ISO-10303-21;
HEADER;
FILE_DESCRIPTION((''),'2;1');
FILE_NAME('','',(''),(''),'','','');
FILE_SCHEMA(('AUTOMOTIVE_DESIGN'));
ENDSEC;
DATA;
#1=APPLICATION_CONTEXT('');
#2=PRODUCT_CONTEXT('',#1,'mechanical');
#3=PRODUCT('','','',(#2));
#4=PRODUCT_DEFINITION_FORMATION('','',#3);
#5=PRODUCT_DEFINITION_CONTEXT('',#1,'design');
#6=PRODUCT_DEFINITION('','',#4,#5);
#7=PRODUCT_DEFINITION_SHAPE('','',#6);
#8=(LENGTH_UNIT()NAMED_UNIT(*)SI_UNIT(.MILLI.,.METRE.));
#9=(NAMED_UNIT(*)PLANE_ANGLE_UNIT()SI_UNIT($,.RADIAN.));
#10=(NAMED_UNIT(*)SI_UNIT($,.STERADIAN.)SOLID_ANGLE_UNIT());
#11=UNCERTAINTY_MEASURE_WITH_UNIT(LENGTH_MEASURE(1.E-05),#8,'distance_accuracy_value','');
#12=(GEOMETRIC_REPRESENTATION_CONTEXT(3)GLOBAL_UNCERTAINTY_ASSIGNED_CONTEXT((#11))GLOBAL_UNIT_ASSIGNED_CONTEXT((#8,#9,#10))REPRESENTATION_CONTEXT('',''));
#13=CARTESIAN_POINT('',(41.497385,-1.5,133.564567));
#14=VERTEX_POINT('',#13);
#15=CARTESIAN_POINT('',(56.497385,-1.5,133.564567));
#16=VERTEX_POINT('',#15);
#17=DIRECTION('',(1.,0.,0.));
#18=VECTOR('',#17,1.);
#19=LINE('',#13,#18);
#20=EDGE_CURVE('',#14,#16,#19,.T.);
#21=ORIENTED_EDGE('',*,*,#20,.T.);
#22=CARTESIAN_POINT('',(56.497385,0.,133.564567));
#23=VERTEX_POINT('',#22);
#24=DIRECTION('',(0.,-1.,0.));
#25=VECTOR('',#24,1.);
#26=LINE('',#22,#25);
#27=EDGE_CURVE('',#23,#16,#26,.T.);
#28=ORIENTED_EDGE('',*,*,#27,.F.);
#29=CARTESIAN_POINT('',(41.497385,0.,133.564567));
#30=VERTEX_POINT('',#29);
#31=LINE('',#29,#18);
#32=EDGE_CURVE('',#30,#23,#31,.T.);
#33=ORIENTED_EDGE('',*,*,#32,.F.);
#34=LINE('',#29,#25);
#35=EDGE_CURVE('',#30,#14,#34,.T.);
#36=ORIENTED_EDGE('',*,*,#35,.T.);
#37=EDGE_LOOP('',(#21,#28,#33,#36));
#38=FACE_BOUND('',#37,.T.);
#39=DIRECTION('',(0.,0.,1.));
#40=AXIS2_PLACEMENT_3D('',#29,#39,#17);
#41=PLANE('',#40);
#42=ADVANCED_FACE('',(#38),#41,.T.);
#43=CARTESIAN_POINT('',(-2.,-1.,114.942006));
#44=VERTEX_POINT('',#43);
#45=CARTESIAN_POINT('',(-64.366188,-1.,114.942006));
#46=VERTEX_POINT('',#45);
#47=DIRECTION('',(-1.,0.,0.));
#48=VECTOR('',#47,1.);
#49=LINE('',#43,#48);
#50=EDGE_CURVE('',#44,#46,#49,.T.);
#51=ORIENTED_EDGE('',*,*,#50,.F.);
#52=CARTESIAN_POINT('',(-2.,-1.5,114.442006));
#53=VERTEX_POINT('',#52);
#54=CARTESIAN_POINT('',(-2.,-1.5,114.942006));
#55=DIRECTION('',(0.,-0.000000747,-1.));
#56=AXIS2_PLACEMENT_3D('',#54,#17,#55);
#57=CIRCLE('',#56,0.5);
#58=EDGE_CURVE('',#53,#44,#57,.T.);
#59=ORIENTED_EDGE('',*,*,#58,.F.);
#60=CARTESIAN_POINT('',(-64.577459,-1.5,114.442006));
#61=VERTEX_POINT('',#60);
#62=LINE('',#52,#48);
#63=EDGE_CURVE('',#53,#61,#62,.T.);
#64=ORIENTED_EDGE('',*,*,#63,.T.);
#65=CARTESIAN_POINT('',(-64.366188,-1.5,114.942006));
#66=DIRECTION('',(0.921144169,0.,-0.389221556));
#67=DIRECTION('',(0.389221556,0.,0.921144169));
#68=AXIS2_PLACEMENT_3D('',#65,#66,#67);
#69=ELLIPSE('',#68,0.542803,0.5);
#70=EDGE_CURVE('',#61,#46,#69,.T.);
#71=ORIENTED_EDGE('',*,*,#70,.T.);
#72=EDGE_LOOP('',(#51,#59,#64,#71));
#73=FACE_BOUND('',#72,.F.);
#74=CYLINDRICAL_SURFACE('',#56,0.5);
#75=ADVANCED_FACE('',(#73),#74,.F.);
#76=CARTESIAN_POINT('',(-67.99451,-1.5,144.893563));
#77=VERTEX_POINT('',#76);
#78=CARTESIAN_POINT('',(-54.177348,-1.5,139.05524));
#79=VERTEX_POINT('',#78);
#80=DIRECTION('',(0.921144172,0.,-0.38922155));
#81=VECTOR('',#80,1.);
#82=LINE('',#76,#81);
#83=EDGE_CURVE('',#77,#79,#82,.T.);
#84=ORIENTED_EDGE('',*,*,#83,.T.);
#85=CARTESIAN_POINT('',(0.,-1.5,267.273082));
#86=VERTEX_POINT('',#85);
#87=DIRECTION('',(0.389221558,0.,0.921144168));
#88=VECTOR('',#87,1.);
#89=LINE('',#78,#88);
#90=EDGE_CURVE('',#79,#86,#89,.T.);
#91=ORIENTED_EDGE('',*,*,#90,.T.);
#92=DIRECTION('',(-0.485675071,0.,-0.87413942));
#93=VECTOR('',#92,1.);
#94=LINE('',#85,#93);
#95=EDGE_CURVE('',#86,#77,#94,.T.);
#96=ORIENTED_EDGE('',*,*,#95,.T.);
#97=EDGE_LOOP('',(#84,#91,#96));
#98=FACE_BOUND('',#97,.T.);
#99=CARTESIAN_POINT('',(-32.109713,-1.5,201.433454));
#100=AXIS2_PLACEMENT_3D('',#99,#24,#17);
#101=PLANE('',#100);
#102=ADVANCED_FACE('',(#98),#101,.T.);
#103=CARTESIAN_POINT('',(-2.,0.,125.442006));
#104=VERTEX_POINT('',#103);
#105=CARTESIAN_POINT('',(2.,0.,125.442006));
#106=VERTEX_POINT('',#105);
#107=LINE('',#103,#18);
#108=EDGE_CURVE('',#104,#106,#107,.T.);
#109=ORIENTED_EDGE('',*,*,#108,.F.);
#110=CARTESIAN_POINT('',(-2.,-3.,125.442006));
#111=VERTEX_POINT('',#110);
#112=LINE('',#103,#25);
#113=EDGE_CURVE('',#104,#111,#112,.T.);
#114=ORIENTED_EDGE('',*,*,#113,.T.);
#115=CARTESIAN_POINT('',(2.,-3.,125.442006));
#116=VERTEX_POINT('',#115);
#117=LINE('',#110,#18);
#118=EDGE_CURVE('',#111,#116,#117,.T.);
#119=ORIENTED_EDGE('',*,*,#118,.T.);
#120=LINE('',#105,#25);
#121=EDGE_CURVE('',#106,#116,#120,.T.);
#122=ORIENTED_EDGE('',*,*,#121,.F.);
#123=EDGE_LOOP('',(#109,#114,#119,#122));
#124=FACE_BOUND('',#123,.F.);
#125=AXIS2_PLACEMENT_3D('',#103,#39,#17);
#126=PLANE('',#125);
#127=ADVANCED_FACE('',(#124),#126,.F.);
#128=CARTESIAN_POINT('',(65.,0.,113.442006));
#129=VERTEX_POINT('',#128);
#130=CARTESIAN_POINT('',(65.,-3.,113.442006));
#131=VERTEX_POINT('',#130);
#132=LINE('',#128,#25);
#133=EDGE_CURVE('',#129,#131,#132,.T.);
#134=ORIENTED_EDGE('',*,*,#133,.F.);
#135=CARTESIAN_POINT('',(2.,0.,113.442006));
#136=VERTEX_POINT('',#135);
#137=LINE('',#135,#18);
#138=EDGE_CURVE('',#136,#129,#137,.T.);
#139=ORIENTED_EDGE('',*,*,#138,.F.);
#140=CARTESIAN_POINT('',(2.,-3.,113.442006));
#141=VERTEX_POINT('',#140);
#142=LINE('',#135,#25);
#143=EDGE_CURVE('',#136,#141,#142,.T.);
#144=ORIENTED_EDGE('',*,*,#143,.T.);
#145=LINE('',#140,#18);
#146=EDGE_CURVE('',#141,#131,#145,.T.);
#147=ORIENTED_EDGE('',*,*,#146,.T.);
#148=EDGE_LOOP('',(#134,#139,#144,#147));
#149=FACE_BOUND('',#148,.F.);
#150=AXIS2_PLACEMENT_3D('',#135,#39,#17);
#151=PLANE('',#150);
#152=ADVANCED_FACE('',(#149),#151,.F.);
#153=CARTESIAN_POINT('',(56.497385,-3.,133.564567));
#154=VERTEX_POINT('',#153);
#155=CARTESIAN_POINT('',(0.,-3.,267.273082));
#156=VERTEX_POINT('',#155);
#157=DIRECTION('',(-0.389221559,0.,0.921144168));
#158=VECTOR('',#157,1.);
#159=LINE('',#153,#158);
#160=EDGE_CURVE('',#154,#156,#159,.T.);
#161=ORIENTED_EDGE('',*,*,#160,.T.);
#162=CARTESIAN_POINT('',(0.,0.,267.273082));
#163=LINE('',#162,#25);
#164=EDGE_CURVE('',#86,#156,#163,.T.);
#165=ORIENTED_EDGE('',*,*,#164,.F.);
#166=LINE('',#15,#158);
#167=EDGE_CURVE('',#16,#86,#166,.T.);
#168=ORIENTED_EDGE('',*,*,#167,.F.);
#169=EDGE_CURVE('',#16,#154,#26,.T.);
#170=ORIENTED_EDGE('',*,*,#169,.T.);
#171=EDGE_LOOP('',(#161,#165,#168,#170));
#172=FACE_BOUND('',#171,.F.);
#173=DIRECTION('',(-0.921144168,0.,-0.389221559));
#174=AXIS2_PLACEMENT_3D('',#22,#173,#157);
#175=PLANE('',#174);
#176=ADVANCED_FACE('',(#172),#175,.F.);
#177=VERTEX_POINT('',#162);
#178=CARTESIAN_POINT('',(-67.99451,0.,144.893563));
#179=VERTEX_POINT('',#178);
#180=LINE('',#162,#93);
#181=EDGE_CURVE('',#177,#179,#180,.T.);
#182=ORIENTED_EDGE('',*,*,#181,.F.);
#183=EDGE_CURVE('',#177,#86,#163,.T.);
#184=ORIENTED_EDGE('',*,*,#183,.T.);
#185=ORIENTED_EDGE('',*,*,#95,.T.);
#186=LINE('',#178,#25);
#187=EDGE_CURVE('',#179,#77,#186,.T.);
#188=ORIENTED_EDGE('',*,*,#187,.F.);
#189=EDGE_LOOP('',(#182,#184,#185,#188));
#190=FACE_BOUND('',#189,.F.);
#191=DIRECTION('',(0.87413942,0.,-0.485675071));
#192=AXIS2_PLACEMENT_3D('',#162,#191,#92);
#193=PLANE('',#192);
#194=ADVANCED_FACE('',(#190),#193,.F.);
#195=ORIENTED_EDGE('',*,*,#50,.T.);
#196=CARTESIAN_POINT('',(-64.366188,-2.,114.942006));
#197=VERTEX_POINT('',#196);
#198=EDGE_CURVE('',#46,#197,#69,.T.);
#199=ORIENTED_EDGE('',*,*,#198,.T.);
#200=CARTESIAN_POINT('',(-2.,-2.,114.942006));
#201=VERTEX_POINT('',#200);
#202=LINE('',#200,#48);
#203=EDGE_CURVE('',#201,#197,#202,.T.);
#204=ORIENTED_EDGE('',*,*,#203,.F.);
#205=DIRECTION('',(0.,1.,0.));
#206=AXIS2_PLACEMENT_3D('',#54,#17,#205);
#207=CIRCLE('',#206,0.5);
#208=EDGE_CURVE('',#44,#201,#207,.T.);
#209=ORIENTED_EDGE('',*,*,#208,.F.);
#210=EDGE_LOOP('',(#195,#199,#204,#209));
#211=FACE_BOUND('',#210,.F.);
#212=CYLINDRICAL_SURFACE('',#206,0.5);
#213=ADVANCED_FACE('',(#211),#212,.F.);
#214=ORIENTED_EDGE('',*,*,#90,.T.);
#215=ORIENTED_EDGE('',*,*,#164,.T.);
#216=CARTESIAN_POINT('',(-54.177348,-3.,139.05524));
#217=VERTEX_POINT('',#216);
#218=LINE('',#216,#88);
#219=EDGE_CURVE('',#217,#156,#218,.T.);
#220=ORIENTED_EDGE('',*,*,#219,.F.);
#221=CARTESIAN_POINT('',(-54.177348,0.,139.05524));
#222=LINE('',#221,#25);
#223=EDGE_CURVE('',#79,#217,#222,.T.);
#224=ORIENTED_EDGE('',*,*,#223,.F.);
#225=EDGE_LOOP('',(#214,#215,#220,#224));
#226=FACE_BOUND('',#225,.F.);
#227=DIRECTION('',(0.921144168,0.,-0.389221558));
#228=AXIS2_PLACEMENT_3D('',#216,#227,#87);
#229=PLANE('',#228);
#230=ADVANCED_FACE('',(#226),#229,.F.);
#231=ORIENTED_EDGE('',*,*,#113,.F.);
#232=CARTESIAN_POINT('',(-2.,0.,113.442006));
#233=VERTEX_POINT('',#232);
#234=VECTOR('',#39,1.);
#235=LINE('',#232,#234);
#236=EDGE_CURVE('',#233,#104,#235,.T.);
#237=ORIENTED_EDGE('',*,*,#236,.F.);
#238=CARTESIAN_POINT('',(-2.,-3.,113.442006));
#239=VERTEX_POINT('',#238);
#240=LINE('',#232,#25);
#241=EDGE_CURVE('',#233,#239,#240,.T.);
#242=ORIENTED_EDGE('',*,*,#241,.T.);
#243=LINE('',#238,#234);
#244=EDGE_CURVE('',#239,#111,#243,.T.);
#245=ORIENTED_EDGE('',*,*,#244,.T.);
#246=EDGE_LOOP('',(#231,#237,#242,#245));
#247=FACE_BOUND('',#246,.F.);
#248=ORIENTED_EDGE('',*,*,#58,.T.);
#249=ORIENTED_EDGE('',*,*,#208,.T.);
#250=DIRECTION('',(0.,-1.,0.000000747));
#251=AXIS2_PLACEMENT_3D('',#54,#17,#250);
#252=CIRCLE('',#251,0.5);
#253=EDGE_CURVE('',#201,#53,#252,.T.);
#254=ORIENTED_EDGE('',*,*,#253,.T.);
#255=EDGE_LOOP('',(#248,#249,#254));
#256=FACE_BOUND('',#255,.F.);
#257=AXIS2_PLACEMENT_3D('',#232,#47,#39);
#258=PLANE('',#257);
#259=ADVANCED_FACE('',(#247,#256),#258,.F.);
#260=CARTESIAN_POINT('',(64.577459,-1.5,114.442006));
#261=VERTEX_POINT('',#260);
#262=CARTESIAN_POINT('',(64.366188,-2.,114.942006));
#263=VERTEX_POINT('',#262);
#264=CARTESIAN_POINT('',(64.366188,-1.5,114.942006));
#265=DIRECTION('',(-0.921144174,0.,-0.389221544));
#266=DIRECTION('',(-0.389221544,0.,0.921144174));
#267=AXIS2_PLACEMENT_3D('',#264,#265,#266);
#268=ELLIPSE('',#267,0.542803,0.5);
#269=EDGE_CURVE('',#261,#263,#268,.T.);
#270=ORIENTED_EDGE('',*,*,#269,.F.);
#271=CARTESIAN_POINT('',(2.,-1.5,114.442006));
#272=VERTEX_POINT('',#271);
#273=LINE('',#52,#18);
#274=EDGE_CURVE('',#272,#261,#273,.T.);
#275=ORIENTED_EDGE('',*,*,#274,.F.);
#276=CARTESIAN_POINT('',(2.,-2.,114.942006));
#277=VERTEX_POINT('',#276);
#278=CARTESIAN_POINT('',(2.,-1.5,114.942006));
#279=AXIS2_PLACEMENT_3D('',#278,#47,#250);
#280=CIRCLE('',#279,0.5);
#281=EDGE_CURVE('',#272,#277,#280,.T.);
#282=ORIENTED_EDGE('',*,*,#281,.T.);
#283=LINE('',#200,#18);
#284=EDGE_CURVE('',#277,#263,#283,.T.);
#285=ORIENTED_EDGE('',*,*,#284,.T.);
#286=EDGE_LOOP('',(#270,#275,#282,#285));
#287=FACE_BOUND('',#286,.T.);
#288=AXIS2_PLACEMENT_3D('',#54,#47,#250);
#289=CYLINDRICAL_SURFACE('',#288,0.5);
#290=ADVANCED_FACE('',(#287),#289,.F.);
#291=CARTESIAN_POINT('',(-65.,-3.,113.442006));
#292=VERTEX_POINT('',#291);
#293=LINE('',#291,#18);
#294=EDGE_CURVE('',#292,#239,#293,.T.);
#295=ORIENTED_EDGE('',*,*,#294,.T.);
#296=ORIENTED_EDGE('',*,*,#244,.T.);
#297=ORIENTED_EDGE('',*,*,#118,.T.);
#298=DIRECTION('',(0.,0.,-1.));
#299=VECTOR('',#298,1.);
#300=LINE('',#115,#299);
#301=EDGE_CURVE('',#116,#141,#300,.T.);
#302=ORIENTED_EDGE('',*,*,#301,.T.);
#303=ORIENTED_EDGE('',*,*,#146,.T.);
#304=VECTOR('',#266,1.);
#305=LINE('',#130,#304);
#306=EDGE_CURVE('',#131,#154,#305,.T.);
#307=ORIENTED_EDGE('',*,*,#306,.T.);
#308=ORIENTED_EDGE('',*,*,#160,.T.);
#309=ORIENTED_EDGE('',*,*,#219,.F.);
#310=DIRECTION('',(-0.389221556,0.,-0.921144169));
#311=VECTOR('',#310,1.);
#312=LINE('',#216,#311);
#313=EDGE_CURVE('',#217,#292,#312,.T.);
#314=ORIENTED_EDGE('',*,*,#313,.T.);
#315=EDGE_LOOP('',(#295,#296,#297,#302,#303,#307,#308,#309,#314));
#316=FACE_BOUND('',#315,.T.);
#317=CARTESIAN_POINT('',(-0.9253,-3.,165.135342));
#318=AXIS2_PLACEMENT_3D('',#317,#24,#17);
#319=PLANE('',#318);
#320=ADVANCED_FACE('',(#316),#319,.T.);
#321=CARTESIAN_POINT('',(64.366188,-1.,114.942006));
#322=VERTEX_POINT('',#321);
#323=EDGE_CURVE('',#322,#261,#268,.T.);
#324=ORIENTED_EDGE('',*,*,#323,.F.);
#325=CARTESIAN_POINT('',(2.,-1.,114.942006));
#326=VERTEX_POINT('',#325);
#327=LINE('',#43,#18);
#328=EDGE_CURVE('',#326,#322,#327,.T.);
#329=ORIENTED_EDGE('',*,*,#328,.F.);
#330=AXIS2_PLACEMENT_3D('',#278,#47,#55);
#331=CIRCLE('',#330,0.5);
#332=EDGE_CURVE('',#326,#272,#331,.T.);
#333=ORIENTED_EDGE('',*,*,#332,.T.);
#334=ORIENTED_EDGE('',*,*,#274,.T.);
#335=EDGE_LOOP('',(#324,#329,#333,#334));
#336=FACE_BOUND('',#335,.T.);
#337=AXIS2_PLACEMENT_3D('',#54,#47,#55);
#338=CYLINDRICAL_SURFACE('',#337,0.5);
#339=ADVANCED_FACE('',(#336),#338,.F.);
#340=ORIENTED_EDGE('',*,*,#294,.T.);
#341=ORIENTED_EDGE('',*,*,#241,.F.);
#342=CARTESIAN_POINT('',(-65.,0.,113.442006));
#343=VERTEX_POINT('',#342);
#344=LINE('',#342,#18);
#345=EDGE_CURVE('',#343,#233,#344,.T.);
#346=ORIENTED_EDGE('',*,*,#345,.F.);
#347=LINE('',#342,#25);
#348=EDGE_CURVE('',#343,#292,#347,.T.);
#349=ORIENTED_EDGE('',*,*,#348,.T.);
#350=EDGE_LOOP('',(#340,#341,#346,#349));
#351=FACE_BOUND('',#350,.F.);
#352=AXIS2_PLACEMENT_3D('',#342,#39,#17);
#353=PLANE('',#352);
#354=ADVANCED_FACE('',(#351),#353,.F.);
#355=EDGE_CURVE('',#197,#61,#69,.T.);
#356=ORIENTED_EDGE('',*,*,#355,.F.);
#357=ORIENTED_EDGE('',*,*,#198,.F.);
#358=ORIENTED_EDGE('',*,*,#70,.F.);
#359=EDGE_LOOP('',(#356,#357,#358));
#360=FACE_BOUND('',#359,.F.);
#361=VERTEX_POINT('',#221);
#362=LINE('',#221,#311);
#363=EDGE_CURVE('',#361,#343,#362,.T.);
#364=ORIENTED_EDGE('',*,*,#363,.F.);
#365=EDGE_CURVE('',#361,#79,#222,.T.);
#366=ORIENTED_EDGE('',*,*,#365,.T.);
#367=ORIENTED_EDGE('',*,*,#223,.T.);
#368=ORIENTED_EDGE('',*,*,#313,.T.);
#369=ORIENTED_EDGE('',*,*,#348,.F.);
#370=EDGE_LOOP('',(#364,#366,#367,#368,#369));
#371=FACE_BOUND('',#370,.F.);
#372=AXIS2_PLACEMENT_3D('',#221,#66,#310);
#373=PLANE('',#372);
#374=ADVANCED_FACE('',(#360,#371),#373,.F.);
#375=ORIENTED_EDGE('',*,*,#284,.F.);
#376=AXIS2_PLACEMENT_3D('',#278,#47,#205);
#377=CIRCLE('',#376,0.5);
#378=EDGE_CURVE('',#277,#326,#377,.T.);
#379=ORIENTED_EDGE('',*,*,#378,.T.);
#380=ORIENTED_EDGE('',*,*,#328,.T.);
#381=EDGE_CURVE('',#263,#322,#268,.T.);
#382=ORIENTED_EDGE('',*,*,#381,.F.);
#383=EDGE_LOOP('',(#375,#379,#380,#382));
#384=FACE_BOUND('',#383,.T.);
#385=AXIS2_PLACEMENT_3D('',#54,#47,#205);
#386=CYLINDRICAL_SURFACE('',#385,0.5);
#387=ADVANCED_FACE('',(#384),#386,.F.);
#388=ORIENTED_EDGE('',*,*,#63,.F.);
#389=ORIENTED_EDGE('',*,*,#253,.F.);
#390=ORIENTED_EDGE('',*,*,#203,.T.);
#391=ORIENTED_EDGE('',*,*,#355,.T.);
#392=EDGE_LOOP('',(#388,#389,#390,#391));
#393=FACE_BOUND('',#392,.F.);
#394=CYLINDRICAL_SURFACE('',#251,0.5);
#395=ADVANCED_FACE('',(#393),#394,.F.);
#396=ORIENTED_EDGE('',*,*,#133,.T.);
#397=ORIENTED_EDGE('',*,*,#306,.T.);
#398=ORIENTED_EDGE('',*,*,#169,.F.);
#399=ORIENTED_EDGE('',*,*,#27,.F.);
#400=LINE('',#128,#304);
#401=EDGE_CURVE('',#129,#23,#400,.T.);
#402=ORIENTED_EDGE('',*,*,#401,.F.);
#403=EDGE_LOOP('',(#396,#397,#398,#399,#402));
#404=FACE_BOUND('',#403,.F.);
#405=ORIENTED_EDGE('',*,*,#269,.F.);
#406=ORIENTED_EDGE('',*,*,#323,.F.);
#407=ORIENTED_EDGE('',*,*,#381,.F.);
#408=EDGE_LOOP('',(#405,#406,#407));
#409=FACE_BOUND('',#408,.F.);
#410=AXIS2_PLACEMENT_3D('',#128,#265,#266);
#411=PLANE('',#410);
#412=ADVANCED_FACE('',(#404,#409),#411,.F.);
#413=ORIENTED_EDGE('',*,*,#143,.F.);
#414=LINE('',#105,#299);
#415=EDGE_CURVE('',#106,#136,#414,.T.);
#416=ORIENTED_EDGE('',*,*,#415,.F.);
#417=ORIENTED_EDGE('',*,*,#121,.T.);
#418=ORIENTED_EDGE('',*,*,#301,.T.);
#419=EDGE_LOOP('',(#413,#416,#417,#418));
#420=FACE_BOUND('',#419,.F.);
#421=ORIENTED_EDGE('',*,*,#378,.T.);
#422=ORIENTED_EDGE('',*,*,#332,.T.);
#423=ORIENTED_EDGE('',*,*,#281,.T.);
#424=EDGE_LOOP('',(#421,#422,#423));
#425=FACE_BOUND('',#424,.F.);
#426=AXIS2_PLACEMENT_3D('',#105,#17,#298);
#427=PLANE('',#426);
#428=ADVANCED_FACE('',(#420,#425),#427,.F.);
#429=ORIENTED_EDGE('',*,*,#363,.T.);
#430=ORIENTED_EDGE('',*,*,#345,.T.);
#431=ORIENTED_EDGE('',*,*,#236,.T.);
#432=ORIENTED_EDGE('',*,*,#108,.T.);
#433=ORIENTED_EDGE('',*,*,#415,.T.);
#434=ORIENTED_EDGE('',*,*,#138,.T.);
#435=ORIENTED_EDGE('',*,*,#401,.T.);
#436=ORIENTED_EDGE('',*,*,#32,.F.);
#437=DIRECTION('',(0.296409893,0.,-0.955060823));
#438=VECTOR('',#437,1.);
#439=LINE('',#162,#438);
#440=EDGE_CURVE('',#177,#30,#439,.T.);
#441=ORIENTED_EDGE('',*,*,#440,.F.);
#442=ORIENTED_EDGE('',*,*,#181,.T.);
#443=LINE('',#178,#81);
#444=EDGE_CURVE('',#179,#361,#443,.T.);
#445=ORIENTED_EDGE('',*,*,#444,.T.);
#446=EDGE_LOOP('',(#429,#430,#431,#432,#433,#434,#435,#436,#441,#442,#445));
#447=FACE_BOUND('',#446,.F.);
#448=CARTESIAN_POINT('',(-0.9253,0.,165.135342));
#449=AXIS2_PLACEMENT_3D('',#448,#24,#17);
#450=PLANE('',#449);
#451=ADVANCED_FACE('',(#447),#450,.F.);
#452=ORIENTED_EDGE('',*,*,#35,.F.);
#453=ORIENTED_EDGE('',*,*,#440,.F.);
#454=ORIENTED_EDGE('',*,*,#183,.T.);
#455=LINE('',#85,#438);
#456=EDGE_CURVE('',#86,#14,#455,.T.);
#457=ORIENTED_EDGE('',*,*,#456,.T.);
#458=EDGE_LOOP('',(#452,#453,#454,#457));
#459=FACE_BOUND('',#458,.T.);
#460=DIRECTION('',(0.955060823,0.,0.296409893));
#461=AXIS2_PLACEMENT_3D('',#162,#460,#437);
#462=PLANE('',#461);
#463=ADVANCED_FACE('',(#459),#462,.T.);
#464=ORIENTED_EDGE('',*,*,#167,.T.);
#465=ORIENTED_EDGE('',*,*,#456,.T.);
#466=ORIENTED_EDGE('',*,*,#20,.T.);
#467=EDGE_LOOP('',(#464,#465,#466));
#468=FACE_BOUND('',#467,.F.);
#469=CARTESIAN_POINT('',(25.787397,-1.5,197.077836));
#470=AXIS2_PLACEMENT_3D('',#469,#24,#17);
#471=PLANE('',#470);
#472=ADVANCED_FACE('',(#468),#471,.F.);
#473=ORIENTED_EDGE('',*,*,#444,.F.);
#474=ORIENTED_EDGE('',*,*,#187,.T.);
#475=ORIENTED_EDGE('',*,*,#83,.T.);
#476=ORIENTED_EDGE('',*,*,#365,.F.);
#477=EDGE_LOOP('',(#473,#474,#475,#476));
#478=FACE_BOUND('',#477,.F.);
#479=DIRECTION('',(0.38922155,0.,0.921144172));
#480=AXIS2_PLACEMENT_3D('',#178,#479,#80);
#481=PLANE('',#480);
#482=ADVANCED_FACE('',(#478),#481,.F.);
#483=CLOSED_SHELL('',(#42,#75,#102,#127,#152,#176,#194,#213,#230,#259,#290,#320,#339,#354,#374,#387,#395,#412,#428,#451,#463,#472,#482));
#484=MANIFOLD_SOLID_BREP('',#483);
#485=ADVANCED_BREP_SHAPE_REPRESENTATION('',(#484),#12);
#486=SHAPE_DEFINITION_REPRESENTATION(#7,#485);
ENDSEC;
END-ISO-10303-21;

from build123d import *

# Parameters (mm, degrees)
F1_DEPTH      = 3
F3_DEPTH      = 70
F3_DEPTH_BACK = 70
F4_DEPTH      = 1.5
F6_DEPTH      = 1.5


with BuildPart() as f1:
    # F0 (on Front) → F1 (new body)
    with BuildSketch(Plane.XZ):
        Polygon((-54.177348, 139.05524), (-65, 113.442006), (-2, 113.442006), (-2, 125.442006), (2, 125.442006), (2, 113.442006), (65, 113.442006), (56.497385, 133.564567), (41.497385, 133.564567), (0, 267.273082), align=None)
        Polygon((-67.99451, 144.893563), (-54.177348, 139.05524), (0, 267.273082), align=None)
        Polygon((56.497385, 133.564567), (0, 267.273082), (41.497385, 133.564567), align=None)
    extrude(amount=F1_DEPTH)

    # F2 (on face) → F3 (cut, two sides)
    with BuildSketch(Plane.YZ.offset(-2)) as f3_sk:
        with BuildLine():
            ThreePointArc((-1.5, 114.442006), (-1.146447, 114.588452), (-1, 114.942006))
            ThreePointArc((-1, 114.942006), (-1.5, 115.442006), (-2, 114.942006))
            ThreePointArc((-2, 114.942006), (-1.853553, 114.588452), (-1.5, 114.442006))
        make_face()
    extrude(amount=F3_DEPTH, mode=Mode.SUBTRACT)
    extrude(f3_sk.sketch, amount=-F3_DEPTH_BACK, mode=Mode.SUBTRACT)

    # F0 (on Front) → F4 (cut)
    with BuildSketch(Plane.XZ):
        Polygon((56.497385, 133.564567), (0, 267.273082), (41.497385, 133.564567), align=None)
    extrude(amount=F4_DEPTH, mode=Mode.SUBTRACT)

    # F5 (on face) → F6 (cut)
    with BuildSketch(Plane.XZ.offset(3)):
        Polygon((-67.99451, 144.893563), (-54.177348, 139.05524), (0, 267.273082), align=None)
    extrude(amount=-F6_DEPTH, mode=Mode.SUBTRACT)


solid = f1.part
